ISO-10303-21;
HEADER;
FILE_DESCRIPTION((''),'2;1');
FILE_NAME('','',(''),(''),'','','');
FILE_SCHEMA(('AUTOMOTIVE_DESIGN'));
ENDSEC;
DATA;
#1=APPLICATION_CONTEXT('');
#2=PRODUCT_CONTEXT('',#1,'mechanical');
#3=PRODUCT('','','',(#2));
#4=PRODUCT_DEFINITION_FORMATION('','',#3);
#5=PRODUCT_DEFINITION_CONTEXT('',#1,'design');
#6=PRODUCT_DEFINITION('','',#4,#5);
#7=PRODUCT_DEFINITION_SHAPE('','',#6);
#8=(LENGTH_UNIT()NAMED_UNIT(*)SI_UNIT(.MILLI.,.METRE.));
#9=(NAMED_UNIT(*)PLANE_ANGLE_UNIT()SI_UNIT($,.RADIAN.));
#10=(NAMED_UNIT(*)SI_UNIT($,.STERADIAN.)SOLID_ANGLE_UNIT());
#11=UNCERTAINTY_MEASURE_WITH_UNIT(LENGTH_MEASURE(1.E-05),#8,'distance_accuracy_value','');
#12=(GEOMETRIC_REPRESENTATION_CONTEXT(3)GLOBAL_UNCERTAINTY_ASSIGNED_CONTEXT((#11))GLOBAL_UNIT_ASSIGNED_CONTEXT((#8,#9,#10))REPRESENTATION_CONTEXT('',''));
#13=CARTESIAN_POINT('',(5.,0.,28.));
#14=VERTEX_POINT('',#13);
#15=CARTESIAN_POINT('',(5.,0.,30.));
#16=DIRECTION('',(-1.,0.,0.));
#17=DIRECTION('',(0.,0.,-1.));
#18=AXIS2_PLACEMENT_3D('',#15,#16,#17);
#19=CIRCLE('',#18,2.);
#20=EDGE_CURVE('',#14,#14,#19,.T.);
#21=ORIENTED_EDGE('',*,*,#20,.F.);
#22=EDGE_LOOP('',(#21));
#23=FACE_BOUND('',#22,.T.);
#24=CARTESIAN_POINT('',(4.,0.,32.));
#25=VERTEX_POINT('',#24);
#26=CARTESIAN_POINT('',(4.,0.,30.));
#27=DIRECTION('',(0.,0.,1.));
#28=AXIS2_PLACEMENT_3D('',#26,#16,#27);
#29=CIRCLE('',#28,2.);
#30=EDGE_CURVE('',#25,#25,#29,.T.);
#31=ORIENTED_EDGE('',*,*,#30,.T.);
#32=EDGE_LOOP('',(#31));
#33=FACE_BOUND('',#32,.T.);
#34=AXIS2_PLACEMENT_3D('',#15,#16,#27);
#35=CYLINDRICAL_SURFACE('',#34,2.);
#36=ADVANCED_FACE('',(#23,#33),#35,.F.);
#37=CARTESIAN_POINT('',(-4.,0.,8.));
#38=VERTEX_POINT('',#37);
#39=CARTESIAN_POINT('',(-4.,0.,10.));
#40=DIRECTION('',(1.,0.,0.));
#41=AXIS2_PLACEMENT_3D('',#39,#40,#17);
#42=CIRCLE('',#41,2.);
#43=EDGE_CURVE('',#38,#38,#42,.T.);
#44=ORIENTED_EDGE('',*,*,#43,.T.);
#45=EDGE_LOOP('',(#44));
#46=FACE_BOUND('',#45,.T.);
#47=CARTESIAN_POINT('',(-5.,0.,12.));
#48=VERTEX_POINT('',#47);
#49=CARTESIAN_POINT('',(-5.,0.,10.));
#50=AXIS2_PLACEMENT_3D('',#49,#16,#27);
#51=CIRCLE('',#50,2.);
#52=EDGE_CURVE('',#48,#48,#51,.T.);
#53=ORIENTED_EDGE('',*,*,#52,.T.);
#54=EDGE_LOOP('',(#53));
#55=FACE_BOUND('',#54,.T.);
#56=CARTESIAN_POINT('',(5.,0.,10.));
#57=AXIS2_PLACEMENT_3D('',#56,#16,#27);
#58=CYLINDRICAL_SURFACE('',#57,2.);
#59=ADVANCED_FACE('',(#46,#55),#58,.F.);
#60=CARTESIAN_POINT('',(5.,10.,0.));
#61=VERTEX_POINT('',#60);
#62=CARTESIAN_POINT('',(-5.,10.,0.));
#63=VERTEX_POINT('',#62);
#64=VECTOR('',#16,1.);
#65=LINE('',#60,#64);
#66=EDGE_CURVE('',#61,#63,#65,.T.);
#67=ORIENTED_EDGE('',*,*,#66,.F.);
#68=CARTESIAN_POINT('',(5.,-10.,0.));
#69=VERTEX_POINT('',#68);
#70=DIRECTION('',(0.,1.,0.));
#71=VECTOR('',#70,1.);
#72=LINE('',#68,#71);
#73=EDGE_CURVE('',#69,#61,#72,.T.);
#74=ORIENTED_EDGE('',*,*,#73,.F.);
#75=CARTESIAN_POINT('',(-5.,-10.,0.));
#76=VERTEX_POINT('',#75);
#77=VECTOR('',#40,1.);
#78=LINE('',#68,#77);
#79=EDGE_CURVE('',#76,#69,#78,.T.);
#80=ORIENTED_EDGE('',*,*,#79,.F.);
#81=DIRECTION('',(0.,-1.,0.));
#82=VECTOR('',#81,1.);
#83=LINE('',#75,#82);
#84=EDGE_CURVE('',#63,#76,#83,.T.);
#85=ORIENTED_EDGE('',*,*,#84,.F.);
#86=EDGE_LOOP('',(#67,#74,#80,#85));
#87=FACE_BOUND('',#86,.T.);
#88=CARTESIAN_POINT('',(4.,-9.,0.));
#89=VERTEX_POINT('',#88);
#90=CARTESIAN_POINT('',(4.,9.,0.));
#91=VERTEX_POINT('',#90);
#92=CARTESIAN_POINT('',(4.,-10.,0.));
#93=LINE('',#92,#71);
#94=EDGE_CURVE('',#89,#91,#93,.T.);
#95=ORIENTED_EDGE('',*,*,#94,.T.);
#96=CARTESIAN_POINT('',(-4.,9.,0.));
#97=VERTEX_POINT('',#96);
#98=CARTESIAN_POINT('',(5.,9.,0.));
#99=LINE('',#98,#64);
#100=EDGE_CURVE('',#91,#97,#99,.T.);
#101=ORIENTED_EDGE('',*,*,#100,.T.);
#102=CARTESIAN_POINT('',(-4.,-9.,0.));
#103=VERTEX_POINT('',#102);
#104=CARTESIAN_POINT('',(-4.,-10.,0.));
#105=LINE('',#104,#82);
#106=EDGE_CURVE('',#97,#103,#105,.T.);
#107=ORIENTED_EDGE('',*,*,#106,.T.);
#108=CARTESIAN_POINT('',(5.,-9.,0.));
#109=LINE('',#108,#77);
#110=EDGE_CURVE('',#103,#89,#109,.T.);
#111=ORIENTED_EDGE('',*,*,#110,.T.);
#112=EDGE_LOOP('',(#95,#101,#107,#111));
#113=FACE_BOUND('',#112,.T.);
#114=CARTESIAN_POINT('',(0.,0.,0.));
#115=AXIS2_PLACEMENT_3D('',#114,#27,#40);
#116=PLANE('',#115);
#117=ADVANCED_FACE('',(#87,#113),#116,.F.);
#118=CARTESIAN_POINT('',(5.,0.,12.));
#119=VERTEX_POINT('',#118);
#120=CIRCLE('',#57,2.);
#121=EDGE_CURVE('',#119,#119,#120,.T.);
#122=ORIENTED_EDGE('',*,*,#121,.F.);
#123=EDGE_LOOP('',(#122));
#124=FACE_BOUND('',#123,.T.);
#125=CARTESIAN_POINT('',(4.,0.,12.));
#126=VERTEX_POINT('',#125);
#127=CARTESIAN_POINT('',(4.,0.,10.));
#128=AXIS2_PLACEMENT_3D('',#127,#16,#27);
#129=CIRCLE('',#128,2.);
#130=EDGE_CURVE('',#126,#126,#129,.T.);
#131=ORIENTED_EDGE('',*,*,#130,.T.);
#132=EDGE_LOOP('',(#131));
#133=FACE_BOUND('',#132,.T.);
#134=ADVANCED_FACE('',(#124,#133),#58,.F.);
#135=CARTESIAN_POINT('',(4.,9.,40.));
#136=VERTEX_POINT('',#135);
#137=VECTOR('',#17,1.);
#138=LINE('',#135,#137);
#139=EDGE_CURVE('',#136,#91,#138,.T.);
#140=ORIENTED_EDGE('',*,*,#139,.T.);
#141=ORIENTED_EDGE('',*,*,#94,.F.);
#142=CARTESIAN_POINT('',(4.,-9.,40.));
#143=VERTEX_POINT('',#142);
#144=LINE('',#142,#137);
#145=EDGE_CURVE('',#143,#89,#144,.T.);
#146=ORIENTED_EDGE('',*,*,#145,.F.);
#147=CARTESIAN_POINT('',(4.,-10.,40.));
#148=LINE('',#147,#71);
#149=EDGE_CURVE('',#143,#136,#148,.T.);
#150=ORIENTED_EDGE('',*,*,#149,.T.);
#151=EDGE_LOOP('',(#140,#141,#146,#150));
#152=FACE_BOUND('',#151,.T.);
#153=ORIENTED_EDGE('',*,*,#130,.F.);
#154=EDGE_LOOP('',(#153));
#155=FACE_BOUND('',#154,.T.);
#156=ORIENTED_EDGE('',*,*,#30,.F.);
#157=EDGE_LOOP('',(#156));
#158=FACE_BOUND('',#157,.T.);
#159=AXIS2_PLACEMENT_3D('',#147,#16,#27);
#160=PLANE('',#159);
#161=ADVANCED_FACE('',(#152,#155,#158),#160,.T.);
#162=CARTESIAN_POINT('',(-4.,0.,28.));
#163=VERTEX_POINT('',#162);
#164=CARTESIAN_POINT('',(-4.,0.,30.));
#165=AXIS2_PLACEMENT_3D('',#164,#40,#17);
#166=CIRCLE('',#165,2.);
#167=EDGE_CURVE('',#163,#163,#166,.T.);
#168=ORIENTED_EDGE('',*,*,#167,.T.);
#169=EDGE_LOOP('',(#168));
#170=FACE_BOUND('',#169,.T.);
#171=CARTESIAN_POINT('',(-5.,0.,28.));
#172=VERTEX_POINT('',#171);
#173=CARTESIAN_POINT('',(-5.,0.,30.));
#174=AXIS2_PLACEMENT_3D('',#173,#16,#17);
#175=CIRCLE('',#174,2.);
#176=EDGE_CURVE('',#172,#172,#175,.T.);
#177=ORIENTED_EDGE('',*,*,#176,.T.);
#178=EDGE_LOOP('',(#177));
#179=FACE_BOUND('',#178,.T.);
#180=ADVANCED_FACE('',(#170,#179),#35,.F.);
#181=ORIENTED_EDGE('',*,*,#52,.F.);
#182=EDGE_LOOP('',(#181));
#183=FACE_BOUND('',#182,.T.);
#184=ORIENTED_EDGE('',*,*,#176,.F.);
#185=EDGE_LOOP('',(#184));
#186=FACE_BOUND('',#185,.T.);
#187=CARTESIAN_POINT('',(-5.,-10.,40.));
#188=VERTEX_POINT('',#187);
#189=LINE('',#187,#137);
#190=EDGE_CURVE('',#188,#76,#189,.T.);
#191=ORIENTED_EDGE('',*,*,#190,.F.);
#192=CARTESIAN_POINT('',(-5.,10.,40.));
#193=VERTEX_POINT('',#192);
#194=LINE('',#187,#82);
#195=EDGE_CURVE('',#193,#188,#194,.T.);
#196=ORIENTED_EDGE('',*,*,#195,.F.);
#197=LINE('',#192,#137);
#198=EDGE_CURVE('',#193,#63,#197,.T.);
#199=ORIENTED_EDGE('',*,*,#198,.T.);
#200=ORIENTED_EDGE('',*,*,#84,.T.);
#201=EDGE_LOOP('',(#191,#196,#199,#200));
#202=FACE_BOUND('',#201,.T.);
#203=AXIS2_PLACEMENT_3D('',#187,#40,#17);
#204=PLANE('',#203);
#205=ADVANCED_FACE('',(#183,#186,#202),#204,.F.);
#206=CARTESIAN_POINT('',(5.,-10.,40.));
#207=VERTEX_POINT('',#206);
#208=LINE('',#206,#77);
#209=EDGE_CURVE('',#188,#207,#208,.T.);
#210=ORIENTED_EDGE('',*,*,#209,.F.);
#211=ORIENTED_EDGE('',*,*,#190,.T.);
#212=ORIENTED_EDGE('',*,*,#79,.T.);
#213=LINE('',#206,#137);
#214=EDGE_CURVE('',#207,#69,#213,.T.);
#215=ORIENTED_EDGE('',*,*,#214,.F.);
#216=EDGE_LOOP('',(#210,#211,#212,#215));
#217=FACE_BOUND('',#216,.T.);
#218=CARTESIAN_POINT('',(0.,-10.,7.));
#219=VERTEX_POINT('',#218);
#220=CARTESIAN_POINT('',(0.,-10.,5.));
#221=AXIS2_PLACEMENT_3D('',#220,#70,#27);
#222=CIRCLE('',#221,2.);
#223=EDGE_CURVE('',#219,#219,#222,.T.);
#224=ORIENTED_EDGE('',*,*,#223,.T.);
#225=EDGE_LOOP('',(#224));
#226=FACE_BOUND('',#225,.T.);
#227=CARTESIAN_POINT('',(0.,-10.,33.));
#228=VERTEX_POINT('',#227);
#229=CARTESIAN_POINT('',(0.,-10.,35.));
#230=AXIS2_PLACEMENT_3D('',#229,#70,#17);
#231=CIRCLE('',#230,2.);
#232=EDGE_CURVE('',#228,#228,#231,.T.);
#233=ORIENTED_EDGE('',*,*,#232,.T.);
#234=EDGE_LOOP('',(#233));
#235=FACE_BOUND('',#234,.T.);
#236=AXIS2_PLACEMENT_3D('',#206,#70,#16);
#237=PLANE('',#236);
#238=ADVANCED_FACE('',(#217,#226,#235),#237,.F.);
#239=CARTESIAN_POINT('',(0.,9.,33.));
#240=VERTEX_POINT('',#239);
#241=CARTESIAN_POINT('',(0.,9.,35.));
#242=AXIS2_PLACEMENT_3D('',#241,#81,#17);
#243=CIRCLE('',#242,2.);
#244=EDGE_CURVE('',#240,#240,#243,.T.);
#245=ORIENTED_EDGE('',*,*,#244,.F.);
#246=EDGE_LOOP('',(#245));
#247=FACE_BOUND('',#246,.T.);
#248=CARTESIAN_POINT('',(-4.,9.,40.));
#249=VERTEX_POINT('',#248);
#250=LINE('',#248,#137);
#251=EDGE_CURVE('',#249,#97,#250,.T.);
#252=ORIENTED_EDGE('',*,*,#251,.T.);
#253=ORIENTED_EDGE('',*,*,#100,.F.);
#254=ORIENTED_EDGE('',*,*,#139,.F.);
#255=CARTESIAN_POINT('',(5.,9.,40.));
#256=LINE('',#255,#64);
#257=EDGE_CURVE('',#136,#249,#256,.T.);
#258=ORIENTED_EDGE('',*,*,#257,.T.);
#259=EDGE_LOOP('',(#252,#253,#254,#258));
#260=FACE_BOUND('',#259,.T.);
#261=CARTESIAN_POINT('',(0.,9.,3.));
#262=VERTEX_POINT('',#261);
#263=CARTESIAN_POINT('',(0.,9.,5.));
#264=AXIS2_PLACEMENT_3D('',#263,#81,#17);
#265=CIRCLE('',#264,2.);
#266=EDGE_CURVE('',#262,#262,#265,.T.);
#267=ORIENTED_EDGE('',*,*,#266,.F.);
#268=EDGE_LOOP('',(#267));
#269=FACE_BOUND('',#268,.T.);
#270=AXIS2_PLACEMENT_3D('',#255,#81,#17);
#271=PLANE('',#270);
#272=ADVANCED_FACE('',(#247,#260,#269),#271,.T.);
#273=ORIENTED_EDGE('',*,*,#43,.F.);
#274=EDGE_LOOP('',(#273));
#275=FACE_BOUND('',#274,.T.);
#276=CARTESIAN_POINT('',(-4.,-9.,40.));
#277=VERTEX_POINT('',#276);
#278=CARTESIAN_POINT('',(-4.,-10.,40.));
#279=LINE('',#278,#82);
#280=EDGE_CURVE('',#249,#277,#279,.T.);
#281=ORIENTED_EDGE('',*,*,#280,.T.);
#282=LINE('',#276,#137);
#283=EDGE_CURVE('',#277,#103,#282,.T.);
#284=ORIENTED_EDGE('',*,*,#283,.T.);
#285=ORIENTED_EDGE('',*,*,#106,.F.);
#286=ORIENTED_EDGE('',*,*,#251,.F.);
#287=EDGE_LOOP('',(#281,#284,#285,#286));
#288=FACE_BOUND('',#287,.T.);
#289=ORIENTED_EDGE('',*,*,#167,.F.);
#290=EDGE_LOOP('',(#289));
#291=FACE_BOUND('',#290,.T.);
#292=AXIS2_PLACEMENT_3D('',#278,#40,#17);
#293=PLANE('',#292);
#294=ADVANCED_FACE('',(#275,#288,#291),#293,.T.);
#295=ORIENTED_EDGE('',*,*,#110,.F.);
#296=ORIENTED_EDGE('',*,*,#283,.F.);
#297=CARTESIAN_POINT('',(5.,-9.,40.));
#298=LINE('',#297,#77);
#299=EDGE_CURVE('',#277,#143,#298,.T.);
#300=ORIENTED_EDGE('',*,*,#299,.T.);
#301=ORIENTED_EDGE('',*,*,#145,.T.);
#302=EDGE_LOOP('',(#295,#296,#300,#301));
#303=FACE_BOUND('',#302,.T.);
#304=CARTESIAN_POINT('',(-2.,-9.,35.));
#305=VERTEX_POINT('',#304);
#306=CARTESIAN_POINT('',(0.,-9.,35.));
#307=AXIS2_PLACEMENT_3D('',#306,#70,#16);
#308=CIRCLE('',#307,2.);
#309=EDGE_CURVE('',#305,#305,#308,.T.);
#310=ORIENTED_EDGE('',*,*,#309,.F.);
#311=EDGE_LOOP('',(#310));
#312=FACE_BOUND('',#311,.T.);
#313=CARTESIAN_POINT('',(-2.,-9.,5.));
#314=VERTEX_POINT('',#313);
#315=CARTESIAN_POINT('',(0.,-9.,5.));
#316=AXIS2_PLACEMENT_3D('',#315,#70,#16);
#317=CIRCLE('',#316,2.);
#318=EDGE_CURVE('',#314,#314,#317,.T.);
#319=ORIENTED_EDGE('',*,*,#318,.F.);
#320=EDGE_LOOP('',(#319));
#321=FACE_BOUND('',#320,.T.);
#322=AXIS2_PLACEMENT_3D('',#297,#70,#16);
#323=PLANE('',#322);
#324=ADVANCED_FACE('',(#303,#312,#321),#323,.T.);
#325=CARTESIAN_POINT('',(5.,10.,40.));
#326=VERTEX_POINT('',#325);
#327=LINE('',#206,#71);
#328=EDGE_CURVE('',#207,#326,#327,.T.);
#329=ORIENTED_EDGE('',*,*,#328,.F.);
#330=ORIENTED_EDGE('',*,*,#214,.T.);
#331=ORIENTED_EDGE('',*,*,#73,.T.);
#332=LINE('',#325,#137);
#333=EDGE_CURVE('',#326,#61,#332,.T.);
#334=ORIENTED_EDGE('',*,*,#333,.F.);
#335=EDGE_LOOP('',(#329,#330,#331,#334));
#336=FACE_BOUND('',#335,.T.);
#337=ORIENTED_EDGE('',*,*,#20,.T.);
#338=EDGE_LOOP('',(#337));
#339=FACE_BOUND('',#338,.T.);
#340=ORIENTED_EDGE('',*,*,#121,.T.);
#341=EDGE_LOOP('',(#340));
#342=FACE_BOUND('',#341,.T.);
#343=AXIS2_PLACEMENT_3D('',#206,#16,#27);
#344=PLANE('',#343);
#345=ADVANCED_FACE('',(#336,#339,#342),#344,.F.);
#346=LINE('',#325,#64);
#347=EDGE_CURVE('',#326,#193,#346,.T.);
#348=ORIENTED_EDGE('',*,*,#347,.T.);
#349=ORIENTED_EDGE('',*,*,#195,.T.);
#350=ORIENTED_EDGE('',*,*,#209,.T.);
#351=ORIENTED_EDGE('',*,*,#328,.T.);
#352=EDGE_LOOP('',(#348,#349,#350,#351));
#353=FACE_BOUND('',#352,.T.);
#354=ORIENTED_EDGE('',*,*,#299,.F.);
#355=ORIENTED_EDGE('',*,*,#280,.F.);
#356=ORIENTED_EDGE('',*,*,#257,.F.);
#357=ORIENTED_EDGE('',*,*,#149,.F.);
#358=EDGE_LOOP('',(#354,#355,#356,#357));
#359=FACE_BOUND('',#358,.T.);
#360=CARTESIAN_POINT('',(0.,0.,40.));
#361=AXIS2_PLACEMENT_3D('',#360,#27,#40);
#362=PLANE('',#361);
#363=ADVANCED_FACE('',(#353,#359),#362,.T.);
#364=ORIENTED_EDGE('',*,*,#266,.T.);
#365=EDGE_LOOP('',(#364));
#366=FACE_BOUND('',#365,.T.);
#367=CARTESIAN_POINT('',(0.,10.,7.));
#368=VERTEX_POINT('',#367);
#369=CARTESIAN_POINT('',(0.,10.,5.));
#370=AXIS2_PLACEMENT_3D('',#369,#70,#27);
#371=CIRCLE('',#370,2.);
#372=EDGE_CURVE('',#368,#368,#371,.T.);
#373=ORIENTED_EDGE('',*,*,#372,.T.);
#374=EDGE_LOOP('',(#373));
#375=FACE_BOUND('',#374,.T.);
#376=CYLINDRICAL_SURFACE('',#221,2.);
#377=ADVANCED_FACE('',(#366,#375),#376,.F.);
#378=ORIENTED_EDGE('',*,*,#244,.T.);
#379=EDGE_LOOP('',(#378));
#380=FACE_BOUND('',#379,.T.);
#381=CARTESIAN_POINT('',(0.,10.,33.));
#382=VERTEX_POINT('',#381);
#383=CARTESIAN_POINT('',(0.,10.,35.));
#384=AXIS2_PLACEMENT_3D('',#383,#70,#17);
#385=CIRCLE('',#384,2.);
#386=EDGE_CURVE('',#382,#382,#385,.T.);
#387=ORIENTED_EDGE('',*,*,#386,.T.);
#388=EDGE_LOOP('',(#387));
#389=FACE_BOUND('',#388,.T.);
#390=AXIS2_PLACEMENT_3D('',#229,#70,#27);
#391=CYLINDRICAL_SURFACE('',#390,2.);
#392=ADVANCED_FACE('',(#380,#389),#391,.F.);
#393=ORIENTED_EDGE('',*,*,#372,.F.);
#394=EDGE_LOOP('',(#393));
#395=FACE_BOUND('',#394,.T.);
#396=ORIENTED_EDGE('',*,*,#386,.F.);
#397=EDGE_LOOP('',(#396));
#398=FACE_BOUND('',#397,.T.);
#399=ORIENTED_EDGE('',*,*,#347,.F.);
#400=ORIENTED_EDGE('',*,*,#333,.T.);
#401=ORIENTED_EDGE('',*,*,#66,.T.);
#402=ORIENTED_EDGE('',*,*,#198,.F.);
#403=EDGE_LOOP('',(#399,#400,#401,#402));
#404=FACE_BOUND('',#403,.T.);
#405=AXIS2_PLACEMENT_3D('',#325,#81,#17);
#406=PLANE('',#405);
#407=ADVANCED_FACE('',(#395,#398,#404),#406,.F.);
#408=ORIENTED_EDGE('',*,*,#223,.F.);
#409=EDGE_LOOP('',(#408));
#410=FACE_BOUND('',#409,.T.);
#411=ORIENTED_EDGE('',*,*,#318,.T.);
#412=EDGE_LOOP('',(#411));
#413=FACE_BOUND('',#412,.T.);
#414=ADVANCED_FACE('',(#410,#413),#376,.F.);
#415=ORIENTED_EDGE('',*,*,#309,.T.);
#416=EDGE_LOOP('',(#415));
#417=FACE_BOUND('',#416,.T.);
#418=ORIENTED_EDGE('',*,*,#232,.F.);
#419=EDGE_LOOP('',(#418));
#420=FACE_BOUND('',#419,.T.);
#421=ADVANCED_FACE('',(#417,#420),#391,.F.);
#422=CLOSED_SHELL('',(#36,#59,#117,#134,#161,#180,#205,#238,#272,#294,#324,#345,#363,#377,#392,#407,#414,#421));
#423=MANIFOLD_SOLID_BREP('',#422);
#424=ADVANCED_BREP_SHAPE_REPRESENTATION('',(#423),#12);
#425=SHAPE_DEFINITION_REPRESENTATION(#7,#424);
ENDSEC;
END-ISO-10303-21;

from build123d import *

# Parameters (mm, degrees)
SKETCH_1_W          = 10
SKETCH_1_H          = 20
SKETCH_1_W_2        = 8
SKETCH_1_H_2        = 18
EXTRUDE_1_DEPTH     = 40
SKETCH_2_R          = 2
CUT_EXTRUDE_1_DEPTH = 43.426406871
SKETCH_3_R          = 2
CUT_EXTRUDE_2_DEPTH = 46


with BuildPart() as part:
    # ｽｹｯﾁ1 → 押し出し-薄板1 (new body)
    with BuildSketch(Plane.XY):
        Rectangle(SKETCH_1_W, SKETCH_1_H)
        Rectangle(SKETCH_1_W_2, SKETCH_1_H_2, mode=Mode.SUBTRACT)
    extrude(amount=EXTRUDE_1_DEPTH)

    # ｽｹｯﾁ2 → ｶｯﾄ - 押し出し1 (cut, through all)
    with BuildSketch(Plane.ZY.offset(5)):
        with Locations((10, 0)):
            Circle(SKETCH_2_R)
        with Locations((30, 0)):
            Circle(SKETCH_2_R)
    extrude(amount=-CUT_EXTRUDE_1_DEPTH, mode=Mode.SUBTRACT)

    # ｽｹｯﾁ3 → ｶｯﾄ - 押し出し2 (cut, through all)
    with BuildSketch(Plane(origin=(0, 10, 0), x_dir=(1, 0, 0), z_dir=(0, 1, 0))):
        with Locations(Location((0, -5, 0), (0, 0, 270))):
            Circle(SKETCH_3_R)
        with Locations(Location((0, -35, 0), (0, 0, 90))):
            Circle(SKETCH_3_R)
    extrude(amount=-CUT_EXTRUDE_2_DEPTH, mode=Mode.SUBTRACT)


solid = part.part
